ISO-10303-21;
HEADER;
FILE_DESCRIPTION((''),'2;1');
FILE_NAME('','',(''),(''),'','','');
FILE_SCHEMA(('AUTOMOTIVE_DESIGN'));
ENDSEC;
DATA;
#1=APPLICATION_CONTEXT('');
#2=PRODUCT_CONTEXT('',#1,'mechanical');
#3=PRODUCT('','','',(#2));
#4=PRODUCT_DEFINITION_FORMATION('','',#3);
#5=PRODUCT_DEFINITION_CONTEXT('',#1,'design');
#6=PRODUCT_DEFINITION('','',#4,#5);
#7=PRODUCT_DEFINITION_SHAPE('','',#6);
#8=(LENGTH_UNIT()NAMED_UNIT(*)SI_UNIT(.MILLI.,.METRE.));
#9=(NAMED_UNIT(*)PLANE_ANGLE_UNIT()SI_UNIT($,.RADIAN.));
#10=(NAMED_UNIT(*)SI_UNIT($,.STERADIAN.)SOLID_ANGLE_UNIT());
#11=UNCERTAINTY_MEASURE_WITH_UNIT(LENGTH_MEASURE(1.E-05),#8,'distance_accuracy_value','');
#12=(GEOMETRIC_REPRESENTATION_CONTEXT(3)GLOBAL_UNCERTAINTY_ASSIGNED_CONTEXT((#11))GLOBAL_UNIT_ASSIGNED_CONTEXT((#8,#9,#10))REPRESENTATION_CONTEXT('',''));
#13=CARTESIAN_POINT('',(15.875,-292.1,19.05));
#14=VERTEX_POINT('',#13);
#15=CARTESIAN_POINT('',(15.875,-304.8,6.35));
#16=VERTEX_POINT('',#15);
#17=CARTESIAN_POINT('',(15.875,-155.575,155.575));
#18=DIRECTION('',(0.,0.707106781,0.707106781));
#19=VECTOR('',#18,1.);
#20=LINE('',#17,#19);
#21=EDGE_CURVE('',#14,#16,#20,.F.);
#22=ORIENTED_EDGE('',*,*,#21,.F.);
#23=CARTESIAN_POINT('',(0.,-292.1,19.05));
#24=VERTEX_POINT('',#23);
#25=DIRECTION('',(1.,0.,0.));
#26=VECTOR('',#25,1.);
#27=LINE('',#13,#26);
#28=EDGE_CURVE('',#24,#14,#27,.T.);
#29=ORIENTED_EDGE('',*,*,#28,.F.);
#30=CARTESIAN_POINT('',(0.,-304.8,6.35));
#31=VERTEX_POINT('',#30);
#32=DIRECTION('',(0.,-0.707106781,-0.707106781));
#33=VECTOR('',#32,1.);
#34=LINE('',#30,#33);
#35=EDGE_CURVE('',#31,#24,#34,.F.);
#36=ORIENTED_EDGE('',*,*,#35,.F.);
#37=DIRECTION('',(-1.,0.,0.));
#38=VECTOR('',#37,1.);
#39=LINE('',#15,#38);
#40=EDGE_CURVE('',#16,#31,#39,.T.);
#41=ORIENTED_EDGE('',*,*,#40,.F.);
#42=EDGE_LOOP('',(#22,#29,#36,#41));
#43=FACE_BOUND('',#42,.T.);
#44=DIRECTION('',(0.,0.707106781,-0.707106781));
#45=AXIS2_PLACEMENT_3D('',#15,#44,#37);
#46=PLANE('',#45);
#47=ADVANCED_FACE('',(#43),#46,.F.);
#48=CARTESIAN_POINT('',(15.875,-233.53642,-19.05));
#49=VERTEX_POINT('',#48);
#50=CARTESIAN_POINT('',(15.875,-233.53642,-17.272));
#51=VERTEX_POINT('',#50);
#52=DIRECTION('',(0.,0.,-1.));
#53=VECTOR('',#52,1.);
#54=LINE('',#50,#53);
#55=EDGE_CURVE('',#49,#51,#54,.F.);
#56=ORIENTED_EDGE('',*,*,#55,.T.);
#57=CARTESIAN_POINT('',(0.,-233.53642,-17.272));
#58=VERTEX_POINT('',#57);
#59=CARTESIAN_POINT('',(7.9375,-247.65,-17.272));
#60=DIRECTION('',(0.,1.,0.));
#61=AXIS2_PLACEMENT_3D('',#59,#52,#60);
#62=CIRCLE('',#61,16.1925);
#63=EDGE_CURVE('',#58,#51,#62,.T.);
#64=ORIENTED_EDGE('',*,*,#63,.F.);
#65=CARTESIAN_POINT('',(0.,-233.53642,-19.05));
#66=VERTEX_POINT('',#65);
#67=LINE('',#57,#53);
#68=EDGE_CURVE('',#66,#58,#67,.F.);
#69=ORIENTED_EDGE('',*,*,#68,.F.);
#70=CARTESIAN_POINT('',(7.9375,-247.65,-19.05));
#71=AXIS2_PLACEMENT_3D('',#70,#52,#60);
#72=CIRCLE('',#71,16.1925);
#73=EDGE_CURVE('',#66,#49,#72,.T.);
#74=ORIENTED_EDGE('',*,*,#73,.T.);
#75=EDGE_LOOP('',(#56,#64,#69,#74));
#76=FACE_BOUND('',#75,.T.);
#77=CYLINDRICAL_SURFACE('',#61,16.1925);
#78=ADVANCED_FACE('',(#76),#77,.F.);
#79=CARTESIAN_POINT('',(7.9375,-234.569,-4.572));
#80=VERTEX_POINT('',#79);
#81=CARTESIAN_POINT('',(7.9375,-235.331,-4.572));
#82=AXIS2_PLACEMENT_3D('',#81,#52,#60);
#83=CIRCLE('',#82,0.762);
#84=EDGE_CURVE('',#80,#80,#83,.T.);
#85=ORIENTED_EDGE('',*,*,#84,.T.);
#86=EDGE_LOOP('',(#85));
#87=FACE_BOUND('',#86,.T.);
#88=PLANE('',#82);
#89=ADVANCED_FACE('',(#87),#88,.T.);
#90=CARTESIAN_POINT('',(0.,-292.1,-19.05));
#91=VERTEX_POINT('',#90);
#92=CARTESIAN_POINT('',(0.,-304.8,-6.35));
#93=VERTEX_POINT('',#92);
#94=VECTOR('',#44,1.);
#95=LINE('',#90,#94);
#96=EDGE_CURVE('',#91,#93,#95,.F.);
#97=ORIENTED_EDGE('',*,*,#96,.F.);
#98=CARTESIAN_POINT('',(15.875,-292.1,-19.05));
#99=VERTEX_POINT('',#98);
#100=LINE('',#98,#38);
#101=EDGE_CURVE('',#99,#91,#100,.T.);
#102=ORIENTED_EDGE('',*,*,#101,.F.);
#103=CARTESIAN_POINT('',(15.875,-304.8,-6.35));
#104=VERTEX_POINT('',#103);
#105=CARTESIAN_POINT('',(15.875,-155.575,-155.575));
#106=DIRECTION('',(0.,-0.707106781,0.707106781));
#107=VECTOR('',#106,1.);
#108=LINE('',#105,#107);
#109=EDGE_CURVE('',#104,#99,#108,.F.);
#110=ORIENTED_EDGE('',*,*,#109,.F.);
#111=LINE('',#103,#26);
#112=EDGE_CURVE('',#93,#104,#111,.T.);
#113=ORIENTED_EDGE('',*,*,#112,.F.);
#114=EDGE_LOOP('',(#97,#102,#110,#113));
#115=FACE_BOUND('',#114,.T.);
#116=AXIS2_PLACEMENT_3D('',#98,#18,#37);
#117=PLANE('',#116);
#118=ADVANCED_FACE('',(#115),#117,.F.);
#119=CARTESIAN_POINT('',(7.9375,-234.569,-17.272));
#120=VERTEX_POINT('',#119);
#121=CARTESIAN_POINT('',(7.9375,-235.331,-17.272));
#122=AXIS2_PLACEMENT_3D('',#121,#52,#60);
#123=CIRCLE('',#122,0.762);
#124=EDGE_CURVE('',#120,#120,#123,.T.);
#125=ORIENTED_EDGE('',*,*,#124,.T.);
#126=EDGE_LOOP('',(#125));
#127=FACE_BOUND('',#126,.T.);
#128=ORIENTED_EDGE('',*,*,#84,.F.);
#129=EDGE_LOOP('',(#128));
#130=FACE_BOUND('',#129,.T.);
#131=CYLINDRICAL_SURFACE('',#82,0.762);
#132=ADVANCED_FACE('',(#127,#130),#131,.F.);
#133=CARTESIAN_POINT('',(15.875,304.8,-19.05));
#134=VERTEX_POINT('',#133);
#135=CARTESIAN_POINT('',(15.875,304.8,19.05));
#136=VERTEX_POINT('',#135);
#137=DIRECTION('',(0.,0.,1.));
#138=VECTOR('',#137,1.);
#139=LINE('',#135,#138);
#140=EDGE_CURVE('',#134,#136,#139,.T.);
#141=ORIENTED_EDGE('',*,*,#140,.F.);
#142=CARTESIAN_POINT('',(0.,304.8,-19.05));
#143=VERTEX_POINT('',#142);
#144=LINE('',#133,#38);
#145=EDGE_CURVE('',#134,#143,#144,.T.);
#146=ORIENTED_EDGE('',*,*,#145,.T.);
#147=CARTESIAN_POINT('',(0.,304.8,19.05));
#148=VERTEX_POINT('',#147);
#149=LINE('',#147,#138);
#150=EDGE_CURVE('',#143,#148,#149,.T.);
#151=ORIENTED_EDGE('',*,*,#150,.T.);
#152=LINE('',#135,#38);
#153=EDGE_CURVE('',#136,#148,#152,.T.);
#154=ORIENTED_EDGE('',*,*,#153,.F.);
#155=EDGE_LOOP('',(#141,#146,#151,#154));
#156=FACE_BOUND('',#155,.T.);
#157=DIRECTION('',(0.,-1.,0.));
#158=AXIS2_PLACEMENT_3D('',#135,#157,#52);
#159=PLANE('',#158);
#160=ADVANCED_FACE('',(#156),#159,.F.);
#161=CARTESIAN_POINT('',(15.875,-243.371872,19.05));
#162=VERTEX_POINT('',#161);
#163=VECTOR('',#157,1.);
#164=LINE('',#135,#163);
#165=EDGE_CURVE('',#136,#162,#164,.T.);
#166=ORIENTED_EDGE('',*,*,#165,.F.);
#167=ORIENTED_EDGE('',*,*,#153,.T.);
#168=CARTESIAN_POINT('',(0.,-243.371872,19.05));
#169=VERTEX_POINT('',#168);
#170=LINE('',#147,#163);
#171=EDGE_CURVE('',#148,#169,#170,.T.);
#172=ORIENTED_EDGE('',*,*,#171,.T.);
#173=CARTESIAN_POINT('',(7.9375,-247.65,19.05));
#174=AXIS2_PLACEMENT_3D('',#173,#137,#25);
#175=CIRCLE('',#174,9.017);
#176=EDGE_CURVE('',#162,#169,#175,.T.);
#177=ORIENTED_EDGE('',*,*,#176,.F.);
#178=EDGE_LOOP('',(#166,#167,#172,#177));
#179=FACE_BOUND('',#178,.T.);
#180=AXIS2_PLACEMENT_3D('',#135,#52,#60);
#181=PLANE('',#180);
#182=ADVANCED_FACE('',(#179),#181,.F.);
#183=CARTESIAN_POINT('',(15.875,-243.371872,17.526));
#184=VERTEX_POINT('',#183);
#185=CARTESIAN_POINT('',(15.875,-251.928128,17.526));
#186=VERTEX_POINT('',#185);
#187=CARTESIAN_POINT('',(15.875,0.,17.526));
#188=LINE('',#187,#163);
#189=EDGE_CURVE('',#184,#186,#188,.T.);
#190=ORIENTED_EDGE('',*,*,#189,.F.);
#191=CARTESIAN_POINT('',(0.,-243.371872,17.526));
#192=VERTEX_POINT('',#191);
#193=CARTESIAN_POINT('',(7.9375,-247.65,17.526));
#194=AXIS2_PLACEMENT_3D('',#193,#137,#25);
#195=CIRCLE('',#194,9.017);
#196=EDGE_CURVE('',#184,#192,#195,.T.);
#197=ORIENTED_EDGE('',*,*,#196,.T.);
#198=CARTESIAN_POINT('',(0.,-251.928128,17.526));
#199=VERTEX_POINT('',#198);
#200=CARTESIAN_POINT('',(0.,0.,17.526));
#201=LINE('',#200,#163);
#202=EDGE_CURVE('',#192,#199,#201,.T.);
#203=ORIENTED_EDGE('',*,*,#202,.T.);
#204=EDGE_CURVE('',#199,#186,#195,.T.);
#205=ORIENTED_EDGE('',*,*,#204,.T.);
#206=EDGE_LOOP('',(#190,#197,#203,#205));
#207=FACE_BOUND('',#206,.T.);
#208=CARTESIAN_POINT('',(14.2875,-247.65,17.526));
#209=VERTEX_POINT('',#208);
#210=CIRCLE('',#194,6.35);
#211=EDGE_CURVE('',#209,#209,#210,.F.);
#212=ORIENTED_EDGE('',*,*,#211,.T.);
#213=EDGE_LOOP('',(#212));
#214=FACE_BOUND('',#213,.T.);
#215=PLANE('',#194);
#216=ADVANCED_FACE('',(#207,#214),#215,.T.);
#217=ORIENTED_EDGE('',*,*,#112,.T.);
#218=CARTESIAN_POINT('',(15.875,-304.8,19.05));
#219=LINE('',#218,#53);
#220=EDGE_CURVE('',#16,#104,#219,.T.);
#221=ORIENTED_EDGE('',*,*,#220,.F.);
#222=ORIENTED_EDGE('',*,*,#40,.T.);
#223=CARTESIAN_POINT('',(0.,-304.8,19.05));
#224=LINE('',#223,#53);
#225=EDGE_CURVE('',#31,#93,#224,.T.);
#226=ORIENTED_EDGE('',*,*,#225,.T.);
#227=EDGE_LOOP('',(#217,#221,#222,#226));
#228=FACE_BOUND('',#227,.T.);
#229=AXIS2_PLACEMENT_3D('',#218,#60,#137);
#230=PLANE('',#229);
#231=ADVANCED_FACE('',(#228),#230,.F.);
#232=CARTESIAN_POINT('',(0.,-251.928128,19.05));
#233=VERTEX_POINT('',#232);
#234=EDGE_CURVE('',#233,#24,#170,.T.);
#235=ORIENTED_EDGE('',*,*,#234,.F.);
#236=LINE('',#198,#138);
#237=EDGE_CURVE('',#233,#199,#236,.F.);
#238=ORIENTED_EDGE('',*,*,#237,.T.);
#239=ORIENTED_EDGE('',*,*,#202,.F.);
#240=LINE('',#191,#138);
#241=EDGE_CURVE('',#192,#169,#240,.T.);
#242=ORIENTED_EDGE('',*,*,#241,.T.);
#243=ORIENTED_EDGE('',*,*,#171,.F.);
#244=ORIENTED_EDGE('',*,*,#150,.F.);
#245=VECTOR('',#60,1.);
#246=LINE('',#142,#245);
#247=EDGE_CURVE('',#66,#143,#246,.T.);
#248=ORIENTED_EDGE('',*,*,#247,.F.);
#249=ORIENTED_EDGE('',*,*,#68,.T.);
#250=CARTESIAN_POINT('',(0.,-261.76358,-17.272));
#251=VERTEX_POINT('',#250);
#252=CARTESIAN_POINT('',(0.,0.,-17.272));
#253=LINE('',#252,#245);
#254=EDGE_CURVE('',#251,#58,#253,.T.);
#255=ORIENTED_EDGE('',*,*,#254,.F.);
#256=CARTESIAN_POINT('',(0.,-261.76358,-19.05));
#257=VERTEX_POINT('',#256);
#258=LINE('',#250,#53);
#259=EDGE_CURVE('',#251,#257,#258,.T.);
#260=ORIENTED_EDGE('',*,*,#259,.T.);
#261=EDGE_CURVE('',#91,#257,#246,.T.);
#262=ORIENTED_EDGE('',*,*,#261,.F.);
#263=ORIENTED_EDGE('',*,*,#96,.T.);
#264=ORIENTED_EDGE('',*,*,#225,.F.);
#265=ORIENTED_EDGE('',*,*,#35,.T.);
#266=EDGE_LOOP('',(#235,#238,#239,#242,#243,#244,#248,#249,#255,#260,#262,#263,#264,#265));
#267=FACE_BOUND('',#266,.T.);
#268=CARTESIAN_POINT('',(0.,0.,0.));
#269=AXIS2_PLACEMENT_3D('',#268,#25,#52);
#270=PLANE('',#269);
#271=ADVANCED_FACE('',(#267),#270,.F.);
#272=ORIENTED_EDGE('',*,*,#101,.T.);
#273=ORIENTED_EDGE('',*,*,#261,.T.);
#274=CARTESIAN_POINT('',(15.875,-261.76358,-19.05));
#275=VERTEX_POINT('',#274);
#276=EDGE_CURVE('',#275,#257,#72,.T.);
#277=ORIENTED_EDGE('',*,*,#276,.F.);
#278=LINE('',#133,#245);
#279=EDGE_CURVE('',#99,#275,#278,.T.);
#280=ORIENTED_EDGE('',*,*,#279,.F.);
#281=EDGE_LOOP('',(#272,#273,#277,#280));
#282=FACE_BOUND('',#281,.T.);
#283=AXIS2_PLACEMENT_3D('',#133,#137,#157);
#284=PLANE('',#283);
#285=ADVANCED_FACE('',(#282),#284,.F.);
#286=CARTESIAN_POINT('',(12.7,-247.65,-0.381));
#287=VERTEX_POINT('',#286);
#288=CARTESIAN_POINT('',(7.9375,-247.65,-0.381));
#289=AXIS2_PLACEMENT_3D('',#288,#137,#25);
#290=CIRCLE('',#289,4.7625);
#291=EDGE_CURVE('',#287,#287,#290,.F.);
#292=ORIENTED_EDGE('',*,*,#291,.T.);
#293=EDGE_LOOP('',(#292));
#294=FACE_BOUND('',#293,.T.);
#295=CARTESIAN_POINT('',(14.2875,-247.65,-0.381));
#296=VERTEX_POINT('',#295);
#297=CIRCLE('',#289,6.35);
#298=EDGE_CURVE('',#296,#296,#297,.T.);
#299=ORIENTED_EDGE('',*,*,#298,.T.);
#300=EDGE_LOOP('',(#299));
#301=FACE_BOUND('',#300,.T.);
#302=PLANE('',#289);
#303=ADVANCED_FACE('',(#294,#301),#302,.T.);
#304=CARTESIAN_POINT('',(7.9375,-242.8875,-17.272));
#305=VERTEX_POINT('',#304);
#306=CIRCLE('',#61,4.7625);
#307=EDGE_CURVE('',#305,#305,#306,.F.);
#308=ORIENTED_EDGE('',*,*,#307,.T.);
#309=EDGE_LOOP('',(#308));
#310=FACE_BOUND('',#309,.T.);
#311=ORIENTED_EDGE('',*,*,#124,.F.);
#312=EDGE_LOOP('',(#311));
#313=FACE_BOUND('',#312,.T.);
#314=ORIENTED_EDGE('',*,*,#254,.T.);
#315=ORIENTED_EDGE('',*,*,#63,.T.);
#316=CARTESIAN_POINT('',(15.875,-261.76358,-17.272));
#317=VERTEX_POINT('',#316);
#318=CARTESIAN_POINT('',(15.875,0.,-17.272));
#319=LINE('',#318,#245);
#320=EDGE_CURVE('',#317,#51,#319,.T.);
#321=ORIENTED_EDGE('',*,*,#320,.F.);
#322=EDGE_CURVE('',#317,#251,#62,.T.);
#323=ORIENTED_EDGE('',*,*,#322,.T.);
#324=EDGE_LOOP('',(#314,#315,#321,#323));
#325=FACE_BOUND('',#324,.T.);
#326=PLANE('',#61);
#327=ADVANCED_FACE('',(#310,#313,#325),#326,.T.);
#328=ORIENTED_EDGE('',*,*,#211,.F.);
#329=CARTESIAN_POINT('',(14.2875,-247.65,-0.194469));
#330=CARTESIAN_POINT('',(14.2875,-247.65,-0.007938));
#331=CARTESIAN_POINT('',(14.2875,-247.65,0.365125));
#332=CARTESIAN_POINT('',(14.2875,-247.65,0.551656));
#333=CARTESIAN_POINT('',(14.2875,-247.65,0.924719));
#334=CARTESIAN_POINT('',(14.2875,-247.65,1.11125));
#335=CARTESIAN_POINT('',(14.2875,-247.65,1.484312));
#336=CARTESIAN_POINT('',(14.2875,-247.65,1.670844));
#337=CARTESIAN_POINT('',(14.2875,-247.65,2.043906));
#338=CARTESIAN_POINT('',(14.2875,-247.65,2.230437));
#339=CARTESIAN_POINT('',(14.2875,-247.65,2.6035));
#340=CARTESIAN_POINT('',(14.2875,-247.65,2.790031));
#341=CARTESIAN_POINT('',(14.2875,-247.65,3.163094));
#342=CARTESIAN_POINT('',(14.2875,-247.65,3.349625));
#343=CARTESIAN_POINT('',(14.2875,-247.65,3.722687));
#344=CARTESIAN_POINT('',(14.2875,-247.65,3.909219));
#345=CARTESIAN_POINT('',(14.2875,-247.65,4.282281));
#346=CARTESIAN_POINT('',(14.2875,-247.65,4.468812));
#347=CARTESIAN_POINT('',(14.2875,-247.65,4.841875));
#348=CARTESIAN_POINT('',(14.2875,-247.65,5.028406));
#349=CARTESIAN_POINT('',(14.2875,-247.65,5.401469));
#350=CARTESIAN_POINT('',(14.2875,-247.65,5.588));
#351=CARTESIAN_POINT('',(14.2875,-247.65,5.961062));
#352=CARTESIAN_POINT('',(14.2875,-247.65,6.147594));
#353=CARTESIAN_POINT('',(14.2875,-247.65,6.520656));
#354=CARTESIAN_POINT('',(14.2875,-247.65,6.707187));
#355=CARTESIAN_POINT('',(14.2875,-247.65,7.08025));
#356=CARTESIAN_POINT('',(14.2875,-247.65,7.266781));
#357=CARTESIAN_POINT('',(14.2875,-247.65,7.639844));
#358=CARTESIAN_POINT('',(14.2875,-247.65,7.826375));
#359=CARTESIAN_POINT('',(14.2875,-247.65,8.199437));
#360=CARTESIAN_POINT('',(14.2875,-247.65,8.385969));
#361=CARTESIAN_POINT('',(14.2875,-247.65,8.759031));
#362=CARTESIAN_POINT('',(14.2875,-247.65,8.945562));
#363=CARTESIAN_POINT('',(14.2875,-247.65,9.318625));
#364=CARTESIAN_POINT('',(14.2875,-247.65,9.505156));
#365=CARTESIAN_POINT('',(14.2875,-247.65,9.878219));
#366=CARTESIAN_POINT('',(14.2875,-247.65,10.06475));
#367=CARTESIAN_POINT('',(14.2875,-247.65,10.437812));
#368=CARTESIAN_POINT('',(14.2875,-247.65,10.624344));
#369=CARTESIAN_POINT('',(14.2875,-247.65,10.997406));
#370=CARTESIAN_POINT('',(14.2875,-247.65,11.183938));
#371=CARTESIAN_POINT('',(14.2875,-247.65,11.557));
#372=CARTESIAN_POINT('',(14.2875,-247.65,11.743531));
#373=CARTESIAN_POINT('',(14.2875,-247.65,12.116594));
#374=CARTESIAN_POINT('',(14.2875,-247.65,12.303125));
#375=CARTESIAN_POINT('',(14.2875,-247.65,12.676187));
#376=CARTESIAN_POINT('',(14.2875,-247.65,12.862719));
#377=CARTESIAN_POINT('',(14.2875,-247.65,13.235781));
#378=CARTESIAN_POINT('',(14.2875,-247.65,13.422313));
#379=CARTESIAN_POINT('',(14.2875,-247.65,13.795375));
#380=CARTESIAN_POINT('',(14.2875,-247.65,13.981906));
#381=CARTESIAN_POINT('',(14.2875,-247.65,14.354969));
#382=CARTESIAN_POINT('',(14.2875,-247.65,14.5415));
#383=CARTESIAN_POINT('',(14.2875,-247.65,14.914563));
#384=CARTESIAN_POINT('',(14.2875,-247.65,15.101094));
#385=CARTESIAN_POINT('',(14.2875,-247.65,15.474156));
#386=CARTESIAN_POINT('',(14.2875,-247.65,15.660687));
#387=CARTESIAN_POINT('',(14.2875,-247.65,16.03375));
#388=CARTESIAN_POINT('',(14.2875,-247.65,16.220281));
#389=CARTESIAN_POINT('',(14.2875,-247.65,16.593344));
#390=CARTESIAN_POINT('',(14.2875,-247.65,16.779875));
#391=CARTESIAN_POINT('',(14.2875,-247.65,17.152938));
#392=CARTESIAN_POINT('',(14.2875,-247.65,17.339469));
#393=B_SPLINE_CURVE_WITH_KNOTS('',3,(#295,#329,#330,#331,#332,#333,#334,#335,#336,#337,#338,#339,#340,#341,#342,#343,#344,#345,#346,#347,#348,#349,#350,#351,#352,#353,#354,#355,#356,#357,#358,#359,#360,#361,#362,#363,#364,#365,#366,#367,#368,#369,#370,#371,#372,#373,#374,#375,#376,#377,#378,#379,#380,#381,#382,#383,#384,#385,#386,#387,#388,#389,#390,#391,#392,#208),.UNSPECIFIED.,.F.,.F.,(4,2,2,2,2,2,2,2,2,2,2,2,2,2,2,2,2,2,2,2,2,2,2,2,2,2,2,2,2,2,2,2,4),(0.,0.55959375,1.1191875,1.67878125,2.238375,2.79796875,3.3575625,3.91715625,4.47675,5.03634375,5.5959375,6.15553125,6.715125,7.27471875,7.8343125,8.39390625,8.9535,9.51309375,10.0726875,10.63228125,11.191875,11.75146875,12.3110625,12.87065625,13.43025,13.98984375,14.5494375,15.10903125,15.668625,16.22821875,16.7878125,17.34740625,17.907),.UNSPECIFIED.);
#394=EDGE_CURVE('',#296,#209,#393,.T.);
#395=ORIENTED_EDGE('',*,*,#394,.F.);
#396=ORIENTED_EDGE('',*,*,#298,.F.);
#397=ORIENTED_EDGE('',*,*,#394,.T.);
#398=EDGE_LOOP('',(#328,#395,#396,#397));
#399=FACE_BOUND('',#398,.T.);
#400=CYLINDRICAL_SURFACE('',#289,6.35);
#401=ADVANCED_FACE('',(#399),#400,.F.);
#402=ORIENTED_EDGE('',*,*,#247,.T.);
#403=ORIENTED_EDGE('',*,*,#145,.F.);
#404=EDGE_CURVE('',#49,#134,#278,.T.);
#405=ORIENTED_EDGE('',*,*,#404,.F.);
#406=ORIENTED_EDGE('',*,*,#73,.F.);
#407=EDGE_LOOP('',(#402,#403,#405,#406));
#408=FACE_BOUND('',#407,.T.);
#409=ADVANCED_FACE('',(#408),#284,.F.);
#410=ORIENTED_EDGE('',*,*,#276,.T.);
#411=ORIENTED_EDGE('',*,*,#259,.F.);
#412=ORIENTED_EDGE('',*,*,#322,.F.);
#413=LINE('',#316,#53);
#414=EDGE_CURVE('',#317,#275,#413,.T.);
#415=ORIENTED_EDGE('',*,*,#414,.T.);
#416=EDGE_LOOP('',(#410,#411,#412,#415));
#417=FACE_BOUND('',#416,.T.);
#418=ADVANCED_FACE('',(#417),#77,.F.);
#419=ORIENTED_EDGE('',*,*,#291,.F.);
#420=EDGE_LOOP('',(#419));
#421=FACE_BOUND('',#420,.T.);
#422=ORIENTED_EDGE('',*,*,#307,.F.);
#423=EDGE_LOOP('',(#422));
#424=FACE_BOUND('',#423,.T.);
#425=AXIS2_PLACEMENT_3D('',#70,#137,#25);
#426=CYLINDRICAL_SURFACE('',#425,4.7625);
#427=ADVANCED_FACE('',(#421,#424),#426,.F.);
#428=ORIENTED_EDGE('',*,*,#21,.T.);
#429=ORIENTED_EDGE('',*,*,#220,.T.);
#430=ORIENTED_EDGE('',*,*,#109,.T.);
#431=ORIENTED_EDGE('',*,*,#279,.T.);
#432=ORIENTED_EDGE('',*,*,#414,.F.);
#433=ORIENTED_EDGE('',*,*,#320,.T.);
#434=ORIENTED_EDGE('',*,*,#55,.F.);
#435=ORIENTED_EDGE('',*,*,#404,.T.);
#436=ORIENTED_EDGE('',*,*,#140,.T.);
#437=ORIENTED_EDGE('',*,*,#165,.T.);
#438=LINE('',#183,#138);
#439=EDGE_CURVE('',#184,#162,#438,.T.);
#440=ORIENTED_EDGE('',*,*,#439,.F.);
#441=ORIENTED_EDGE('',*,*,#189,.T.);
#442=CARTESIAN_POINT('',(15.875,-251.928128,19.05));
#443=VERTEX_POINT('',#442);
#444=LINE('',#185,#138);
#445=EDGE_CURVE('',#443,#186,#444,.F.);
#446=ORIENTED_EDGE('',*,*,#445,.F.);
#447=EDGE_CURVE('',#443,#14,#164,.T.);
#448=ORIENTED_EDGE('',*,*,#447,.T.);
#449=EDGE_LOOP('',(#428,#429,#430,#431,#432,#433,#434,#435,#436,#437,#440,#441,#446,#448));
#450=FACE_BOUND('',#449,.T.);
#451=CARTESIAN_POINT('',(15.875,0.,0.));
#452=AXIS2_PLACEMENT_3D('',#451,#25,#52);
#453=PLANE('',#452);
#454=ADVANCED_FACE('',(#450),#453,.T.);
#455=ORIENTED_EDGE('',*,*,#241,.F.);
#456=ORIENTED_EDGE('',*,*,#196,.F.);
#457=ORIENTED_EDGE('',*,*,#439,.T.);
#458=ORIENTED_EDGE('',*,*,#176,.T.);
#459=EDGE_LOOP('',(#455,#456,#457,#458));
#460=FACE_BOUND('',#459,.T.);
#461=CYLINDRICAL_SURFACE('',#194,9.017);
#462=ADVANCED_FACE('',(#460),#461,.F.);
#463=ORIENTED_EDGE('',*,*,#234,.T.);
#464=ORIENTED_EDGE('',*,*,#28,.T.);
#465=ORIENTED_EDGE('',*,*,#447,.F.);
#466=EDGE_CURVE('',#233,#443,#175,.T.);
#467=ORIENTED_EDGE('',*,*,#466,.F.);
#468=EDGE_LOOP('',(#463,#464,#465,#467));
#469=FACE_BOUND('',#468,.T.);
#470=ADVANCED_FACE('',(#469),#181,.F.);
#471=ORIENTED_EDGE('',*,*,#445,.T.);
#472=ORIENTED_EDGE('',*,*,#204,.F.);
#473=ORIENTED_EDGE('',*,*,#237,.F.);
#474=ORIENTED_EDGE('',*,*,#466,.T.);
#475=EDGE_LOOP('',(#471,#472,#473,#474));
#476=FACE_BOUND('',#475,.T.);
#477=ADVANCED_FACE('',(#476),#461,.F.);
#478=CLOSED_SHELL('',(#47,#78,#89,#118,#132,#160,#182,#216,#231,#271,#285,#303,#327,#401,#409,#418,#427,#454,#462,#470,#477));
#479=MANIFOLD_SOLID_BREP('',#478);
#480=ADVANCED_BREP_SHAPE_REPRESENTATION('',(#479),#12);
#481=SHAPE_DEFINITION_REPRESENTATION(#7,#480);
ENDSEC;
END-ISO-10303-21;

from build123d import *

# Parameters (mm, degrees)
SKETCH1_W           = 38.1
SKETCH1_H           = 609.6
BOSS_EXTRUDE1_DEPTH = 15.875
SKETCH2_R           = 4.7625
CUT_EXTRUDE1_DEPTH  = 308.581965702
SKETCH3_R           = 6.35
CUT_EXTRUDE2_DEPTH  = 19.431
CHAMFER1_SIZE       = 12.7
SKETCH4_R           = 16.1925
CUT_EXTRUDE3_DEPTH  = 1.778
SKETCH5_R           = 9.017
CUT_EXTRUDE4_DEPTH  = 1.524
SKETCH6_R           = 0.762
CUT_EXTRUDE5_DEPTH  = 12.7


with BuildPart() as part:
    # Sketch1 → Boss-Extrude1 (new body)
    with BuildSketch(Plane(origin=(0, 0, 0), x_dir=(0, 0, -1), z_dir=(1, 0, 0))):
        Rectangle(SKETCH1_W, SKETCH1_H)
    extrude(amount=BOSS_EXTRUDE1_DEPTH)

    # Sketch2 → Cut-Extrude1 (cut, through all)
    with BuildSketch(Plane.XY.offset(19.05)):
        with Locations((7.9375, -247.65)):
            Circle(SKETCH2_R)
    extrude(amount=-CUT_EXTRUDE1_DEPTH, mode=Mode.SUBTRACT)

    # Sketch3 → Cut-Extrude2 (cut)
    with BuildSketch(Plane.XY.offset(19.05)):
        with Locations((7.9375, -247.65)):
            Circle(SKETCH3_R)
    extrude(amount=-CUT_EXTRUDE2_DEPTH, mode=Mode.SUBTRACT)

    # Chamfer1
    chamfer1_edges = [part.edges().sort_by_distance(p)[0] for p in [
        (7.9375, -304.8, -19.05),
        (7.9375, -304.8, 19.05),
    ]]
    chamfer(chamfer1_edges, length=CHAMFER1_SIZE)

    # Sketch4 → Cut-Extrude3 (cut)
    with BuildSketch(Plane(origin=(0, 0, -19.05), x_dir=(-1, 0, 0), z_dir=(0, 0, -1))):
        with Locations((-7.9375, -247.65)):
            Circle(SKETCH4_R)
    extrude(amount=-CUT_EXTRUDE3_DEPTH, mode=Mode.SUBTRACT)

    # Sketch5 → Cut-Extrude4 (cut)
    with BuildSketch(Plane.XY.offset(19.05)):
        with Locations((7.9375, -247.65)):
            Circle(SKETCH5_R)
    extrude(amount=-CUT_EXTRUDE4_DEPTH, mode=Mode.SUBTRACT)

    # Sketch6 → Cut-Extrude5 (cut)
    with BuildSketch(Plane(origin=(0, 0, -17.272), x_dir=(-1, 0, 0), z_dir=(0, 0, -1))):
        with Locations(Location((-7.9375, -235.331, 0), (0, 0, 90))):
            Circle(SKETCH6_R)
    extrude(amount=-CUT_EXTRUDE5_DEPTH, mode=Mode.SUBTRACT)


solid = part.part
